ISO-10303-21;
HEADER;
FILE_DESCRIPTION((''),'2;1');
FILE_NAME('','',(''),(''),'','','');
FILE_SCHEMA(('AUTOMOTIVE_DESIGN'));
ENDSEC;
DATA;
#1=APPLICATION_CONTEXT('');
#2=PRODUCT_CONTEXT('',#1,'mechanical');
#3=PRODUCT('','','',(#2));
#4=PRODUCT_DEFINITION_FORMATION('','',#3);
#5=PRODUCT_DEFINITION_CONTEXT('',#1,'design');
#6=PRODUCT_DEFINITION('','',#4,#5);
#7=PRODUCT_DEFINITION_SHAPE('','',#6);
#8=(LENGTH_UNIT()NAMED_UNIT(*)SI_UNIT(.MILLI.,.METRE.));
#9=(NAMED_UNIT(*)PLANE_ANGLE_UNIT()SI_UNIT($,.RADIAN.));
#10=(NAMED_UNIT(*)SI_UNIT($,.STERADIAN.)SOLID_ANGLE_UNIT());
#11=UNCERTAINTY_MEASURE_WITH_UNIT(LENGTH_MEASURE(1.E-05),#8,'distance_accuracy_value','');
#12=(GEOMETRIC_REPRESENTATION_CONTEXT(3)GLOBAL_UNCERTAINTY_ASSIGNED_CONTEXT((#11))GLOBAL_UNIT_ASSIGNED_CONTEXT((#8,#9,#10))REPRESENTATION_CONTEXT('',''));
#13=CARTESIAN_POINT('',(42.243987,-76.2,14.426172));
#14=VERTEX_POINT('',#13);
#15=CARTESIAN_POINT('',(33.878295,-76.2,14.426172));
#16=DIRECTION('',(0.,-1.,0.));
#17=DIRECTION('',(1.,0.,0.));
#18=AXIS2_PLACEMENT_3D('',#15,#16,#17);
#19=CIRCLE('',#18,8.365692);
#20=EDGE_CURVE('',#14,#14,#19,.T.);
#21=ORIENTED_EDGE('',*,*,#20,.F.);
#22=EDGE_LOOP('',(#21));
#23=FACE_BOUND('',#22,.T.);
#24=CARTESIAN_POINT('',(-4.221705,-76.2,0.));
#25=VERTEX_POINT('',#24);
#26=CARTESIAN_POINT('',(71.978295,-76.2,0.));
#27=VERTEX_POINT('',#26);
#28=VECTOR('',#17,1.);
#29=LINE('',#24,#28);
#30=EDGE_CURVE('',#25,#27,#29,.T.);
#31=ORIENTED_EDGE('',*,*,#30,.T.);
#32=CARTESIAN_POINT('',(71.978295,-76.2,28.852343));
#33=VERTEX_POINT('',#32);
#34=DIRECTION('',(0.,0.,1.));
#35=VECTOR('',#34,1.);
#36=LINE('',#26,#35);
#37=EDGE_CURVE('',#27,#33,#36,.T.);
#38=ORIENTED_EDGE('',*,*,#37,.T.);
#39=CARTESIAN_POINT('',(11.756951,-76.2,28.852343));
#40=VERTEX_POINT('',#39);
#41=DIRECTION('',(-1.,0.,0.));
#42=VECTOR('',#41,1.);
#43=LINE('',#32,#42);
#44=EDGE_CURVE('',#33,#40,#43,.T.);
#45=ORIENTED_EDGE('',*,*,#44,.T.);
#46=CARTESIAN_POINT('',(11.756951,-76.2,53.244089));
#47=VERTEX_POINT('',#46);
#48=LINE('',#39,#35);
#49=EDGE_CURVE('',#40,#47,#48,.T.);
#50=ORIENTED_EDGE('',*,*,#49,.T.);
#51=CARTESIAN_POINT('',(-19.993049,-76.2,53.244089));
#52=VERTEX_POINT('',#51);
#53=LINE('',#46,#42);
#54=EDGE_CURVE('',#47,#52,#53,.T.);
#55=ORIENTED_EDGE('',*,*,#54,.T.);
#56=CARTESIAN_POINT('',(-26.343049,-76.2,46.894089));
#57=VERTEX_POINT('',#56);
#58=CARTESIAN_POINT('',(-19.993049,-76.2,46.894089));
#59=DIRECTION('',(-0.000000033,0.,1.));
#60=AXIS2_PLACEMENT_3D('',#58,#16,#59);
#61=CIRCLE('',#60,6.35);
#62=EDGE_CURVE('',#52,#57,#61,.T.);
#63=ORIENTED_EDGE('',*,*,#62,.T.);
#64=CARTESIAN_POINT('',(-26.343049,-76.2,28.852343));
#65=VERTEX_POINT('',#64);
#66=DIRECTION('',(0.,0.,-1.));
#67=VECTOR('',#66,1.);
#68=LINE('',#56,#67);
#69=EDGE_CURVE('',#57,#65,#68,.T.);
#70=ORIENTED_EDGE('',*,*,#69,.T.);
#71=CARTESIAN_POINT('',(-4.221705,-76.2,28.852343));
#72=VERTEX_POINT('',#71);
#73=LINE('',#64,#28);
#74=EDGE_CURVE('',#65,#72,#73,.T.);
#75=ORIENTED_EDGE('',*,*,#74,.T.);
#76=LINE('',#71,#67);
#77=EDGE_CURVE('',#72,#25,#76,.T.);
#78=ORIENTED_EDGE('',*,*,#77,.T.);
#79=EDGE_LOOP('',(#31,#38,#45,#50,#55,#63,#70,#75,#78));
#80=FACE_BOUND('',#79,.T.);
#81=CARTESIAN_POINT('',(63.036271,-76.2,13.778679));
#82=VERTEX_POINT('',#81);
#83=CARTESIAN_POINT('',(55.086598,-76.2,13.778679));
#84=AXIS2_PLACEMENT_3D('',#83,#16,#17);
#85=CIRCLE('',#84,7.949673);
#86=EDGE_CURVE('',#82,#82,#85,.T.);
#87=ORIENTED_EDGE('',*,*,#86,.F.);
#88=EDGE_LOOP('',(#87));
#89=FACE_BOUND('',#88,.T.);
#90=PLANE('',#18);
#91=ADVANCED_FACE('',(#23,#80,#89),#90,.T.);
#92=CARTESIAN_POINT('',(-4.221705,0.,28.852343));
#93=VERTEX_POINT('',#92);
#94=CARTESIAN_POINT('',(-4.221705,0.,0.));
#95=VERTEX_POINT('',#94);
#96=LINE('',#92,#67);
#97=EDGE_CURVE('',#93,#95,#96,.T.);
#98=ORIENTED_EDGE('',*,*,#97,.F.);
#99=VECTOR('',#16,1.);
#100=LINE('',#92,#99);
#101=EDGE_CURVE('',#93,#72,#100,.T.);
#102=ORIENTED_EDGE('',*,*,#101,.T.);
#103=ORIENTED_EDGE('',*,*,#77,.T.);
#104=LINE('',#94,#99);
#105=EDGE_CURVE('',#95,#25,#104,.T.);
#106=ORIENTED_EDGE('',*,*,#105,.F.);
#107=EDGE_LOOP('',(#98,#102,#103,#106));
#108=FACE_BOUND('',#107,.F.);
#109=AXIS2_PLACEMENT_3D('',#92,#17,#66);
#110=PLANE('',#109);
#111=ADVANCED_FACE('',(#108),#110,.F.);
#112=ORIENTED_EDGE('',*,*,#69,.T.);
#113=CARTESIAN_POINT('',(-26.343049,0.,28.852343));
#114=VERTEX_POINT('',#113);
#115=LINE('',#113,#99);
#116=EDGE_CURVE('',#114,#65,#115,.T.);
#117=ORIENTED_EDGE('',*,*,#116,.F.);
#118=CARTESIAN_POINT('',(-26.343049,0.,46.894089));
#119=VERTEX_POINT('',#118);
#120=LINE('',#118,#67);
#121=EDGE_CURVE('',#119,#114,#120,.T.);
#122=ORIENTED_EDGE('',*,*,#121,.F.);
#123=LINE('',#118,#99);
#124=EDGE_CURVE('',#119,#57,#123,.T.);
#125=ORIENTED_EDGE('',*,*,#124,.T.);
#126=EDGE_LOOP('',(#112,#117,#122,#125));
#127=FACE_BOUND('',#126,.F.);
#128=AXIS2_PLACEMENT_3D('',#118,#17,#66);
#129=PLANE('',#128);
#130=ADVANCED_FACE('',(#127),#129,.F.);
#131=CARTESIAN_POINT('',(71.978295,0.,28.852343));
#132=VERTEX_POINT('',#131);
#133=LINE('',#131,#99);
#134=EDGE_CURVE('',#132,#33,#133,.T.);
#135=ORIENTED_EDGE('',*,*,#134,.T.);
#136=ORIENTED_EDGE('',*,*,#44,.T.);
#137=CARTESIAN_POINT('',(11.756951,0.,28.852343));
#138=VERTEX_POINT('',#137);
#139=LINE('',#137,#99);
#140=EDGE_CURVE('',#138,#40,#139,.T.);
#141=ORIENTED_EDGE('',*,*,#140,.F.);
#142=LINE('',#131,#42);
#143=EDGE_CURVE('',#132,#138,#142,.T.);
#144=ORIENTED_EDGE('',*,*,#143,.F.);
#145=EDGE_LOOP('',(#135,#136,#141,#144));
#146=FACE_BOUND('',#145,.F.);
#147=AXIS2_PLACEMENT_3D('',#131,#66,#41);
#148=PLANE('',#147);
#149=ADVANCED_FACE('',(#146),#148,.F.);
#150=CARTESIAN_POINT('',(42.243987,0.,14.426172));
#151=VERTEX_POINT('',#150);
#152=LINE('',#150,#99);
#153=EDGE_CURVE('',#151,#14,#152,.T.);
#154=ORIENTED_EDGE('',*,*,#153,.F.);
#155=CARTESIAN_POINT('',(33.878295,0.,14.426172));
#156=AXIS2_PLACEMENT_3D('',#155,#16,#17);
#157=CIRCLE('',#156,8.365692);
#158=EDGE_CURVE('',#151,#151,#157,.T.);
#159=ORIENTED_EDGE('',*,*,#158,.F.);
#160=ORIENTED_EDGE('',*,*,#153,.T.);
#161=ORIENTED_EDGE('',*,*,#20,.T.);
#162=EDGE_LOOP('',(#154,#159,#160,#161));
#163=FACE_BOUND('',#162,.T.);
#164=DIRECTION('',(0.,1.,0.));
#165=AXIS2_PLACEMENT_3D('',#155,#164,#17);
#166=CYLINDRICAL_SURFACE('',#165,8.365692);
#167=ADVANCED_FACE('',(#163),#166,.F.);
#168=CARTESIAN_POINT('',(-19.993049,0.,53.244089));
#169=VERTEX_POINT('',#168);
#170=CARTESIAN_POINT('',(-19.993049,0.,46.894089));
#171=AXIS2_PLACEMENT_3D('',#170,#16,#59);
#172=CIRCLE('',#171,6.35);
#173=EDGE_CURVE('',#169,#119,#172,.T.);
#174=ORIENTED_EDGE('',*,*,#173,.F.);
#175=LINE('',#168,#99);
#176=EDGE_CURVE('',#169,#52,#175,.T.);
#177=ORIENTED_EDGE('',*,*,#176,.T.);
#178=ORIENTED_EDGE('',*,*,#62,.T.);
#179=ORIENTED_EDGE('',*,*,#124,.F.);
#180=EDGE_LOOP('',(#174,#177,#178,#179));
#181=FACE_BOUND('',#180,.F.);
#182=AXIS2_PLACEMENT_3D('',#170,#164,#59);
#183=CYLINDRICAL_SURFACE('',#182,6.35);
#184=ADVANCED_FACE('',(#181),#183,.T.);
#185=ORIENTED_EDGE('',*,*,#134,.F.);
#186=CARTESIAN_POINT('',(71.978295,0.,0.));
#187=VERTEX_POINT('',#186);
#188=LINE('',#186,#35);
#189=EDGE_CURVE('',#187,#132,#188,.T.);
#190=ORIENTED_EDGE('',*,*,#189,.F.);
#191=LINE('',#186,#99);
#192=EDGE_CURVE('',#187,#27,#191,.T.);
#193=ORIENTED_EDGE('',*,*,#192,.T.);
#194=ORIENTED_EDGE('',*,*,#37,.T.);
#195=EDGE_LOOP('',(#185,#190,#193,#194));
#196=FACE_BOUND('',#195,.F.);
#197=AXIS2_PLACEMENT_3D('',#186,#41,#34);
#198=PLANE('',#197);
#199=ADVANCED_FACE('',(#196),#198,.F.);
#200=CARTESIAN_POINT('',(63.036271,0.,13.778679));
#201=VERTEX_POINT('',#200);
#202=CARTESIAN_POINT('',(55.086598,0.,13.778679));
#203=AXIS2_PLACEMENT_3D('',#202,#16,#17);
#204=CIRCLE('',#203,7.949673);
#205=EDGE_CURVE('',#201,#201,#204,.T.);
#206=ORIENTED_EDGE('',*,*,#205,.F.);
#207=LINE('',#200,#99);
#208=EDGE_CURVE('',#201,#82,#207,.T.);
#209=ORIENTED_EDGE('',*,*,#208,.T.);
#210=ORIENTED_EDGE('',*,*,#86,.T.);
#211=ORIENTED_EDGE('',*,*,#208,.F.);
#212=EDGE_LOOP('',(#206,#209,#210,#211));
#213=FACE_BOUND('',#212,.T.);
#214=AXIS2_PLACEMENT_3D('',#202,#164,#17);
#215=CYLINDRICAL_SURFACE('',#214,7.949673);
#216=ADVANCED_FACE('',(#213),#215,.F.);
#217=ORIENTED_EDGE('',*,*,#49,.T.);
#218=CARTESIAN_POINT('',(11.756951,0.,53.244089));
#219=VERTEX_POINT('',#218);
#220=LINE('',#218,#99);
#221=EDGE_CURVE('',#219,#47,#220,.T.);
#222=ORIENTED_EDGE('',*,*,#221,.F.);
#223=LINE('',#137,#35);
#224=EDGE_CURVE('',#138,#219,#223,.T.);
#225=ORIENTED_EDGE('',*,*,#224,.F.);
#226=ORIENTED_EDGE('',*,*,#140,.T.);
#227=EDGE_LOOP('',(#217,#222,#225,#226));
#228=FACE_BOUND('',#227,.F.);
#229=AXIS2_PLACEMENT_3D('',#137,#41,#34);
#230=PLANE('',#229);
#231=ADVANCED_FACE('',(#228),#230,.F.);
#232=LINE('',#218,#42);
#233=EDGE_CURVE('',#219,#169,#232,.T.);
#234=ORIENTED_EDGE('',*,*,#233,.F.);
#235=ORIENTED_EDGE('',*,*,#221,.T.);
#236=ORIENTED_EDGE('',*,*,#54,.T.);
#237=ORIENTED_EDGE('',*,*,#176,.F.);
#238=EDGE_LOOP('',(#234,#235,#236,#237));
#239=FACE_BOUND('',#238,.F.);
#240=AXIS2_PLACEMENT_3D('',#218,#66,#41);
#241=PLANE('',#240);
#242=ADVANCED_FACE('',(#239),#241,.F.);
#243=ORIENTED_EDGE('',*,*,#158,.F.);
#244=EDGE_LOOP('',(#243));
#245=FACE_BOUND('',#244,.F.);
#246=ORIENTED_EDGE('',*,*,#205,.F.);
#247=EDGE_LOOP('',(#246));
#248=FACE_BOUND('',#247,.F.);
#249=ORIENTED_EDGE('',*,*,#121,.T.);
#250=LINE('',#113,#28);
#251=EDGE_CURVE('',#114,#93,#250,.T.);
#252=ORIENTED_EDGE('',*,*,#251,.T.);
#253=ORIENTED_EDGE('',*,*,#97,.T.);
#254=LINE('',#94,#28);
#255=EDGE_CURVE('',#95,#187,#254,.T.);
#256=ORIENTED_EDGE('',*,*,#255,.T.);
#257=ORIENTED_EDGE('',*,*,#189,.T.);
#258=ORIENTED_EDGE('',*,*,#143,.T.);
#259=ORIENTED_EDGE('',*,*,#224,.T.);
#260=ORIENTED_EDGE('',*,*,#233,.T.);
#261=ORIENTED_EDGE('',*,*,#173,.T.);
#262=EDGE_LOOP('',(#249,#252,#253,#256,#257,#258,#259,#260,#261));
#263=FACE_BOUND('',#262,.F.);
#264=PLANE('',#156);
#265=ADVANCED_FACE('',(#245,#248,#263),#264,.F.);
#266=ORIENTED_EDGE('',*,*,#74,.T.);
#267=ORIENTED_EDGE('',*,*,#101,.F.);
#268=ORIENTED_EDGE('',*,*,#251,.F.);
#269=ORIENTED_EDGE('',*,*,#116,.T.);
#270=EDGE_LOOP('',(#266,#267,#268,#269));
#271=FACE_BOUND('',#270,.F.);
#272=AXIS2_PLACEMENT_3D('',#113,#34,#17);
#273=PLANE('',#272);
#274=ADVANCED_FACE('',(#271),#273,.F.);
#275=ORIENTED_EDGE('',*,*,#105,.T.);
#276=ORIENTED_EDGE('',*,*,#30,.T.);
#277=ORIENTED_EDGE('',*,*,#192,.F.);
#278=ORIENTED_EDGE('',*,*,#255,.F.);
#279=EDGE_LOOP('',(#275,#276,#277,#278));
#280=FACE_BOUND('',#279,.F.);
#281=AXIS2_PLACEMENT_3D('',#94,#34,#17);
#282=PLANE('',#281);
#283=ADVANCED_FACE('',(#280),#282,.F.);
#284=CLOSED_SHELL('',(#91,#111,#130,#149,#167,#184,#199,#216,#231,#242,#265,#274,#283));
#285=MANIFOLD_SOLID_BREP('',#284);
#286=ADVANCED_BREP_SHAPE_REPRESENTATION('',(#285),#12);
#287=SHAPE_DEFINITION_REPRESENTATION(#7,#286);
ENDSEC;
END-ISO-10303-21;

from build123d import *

# Parameters (mm, degrees)
F0_R     = 8.365692
F0_R_2   = 7.949673
F1_DEPTH = 76.2


with BuildPart() as f1:
    # F0 (on Front) → F1 (new body)
    with BuildSketch(Plane.XZ):
        Polygon((-4.221705, 28.852343), (-4.221705, 0), (71.978295, 0), (71.978295, 28.852343), (11.756951, 28.852343), align=None)
        with Locations((33.878295, 14.426172)):
            Circle(F0_R, mode=Mode.SUBTRACT)
        with Locations((55.086598, 13.778679)):
            Circle(F0_R_2, mode=Mode.SUBTRACT)
        with BuildLine():
            Line((-26.343049, 28.852343), (-4.221705, 28.852343))
            Line((-4.221705, 28.852343), (11.756951, 28.852343))
            Line((11.756951, 28.852343), (11.756951, 53.244089))
            Line((11.756951, 53.244089), (-19.993049, 53.244089))
            ThreePointArc((-19.993049, 53.244089), (-24.483177, 51.384217), (-26.343049, 46.894089))
            Line((-26.343049, 46.894089), (-26.343049, 28.852343))
        make_face()
    extrude(amount=F1_DEPTH)


solid = f1.part
